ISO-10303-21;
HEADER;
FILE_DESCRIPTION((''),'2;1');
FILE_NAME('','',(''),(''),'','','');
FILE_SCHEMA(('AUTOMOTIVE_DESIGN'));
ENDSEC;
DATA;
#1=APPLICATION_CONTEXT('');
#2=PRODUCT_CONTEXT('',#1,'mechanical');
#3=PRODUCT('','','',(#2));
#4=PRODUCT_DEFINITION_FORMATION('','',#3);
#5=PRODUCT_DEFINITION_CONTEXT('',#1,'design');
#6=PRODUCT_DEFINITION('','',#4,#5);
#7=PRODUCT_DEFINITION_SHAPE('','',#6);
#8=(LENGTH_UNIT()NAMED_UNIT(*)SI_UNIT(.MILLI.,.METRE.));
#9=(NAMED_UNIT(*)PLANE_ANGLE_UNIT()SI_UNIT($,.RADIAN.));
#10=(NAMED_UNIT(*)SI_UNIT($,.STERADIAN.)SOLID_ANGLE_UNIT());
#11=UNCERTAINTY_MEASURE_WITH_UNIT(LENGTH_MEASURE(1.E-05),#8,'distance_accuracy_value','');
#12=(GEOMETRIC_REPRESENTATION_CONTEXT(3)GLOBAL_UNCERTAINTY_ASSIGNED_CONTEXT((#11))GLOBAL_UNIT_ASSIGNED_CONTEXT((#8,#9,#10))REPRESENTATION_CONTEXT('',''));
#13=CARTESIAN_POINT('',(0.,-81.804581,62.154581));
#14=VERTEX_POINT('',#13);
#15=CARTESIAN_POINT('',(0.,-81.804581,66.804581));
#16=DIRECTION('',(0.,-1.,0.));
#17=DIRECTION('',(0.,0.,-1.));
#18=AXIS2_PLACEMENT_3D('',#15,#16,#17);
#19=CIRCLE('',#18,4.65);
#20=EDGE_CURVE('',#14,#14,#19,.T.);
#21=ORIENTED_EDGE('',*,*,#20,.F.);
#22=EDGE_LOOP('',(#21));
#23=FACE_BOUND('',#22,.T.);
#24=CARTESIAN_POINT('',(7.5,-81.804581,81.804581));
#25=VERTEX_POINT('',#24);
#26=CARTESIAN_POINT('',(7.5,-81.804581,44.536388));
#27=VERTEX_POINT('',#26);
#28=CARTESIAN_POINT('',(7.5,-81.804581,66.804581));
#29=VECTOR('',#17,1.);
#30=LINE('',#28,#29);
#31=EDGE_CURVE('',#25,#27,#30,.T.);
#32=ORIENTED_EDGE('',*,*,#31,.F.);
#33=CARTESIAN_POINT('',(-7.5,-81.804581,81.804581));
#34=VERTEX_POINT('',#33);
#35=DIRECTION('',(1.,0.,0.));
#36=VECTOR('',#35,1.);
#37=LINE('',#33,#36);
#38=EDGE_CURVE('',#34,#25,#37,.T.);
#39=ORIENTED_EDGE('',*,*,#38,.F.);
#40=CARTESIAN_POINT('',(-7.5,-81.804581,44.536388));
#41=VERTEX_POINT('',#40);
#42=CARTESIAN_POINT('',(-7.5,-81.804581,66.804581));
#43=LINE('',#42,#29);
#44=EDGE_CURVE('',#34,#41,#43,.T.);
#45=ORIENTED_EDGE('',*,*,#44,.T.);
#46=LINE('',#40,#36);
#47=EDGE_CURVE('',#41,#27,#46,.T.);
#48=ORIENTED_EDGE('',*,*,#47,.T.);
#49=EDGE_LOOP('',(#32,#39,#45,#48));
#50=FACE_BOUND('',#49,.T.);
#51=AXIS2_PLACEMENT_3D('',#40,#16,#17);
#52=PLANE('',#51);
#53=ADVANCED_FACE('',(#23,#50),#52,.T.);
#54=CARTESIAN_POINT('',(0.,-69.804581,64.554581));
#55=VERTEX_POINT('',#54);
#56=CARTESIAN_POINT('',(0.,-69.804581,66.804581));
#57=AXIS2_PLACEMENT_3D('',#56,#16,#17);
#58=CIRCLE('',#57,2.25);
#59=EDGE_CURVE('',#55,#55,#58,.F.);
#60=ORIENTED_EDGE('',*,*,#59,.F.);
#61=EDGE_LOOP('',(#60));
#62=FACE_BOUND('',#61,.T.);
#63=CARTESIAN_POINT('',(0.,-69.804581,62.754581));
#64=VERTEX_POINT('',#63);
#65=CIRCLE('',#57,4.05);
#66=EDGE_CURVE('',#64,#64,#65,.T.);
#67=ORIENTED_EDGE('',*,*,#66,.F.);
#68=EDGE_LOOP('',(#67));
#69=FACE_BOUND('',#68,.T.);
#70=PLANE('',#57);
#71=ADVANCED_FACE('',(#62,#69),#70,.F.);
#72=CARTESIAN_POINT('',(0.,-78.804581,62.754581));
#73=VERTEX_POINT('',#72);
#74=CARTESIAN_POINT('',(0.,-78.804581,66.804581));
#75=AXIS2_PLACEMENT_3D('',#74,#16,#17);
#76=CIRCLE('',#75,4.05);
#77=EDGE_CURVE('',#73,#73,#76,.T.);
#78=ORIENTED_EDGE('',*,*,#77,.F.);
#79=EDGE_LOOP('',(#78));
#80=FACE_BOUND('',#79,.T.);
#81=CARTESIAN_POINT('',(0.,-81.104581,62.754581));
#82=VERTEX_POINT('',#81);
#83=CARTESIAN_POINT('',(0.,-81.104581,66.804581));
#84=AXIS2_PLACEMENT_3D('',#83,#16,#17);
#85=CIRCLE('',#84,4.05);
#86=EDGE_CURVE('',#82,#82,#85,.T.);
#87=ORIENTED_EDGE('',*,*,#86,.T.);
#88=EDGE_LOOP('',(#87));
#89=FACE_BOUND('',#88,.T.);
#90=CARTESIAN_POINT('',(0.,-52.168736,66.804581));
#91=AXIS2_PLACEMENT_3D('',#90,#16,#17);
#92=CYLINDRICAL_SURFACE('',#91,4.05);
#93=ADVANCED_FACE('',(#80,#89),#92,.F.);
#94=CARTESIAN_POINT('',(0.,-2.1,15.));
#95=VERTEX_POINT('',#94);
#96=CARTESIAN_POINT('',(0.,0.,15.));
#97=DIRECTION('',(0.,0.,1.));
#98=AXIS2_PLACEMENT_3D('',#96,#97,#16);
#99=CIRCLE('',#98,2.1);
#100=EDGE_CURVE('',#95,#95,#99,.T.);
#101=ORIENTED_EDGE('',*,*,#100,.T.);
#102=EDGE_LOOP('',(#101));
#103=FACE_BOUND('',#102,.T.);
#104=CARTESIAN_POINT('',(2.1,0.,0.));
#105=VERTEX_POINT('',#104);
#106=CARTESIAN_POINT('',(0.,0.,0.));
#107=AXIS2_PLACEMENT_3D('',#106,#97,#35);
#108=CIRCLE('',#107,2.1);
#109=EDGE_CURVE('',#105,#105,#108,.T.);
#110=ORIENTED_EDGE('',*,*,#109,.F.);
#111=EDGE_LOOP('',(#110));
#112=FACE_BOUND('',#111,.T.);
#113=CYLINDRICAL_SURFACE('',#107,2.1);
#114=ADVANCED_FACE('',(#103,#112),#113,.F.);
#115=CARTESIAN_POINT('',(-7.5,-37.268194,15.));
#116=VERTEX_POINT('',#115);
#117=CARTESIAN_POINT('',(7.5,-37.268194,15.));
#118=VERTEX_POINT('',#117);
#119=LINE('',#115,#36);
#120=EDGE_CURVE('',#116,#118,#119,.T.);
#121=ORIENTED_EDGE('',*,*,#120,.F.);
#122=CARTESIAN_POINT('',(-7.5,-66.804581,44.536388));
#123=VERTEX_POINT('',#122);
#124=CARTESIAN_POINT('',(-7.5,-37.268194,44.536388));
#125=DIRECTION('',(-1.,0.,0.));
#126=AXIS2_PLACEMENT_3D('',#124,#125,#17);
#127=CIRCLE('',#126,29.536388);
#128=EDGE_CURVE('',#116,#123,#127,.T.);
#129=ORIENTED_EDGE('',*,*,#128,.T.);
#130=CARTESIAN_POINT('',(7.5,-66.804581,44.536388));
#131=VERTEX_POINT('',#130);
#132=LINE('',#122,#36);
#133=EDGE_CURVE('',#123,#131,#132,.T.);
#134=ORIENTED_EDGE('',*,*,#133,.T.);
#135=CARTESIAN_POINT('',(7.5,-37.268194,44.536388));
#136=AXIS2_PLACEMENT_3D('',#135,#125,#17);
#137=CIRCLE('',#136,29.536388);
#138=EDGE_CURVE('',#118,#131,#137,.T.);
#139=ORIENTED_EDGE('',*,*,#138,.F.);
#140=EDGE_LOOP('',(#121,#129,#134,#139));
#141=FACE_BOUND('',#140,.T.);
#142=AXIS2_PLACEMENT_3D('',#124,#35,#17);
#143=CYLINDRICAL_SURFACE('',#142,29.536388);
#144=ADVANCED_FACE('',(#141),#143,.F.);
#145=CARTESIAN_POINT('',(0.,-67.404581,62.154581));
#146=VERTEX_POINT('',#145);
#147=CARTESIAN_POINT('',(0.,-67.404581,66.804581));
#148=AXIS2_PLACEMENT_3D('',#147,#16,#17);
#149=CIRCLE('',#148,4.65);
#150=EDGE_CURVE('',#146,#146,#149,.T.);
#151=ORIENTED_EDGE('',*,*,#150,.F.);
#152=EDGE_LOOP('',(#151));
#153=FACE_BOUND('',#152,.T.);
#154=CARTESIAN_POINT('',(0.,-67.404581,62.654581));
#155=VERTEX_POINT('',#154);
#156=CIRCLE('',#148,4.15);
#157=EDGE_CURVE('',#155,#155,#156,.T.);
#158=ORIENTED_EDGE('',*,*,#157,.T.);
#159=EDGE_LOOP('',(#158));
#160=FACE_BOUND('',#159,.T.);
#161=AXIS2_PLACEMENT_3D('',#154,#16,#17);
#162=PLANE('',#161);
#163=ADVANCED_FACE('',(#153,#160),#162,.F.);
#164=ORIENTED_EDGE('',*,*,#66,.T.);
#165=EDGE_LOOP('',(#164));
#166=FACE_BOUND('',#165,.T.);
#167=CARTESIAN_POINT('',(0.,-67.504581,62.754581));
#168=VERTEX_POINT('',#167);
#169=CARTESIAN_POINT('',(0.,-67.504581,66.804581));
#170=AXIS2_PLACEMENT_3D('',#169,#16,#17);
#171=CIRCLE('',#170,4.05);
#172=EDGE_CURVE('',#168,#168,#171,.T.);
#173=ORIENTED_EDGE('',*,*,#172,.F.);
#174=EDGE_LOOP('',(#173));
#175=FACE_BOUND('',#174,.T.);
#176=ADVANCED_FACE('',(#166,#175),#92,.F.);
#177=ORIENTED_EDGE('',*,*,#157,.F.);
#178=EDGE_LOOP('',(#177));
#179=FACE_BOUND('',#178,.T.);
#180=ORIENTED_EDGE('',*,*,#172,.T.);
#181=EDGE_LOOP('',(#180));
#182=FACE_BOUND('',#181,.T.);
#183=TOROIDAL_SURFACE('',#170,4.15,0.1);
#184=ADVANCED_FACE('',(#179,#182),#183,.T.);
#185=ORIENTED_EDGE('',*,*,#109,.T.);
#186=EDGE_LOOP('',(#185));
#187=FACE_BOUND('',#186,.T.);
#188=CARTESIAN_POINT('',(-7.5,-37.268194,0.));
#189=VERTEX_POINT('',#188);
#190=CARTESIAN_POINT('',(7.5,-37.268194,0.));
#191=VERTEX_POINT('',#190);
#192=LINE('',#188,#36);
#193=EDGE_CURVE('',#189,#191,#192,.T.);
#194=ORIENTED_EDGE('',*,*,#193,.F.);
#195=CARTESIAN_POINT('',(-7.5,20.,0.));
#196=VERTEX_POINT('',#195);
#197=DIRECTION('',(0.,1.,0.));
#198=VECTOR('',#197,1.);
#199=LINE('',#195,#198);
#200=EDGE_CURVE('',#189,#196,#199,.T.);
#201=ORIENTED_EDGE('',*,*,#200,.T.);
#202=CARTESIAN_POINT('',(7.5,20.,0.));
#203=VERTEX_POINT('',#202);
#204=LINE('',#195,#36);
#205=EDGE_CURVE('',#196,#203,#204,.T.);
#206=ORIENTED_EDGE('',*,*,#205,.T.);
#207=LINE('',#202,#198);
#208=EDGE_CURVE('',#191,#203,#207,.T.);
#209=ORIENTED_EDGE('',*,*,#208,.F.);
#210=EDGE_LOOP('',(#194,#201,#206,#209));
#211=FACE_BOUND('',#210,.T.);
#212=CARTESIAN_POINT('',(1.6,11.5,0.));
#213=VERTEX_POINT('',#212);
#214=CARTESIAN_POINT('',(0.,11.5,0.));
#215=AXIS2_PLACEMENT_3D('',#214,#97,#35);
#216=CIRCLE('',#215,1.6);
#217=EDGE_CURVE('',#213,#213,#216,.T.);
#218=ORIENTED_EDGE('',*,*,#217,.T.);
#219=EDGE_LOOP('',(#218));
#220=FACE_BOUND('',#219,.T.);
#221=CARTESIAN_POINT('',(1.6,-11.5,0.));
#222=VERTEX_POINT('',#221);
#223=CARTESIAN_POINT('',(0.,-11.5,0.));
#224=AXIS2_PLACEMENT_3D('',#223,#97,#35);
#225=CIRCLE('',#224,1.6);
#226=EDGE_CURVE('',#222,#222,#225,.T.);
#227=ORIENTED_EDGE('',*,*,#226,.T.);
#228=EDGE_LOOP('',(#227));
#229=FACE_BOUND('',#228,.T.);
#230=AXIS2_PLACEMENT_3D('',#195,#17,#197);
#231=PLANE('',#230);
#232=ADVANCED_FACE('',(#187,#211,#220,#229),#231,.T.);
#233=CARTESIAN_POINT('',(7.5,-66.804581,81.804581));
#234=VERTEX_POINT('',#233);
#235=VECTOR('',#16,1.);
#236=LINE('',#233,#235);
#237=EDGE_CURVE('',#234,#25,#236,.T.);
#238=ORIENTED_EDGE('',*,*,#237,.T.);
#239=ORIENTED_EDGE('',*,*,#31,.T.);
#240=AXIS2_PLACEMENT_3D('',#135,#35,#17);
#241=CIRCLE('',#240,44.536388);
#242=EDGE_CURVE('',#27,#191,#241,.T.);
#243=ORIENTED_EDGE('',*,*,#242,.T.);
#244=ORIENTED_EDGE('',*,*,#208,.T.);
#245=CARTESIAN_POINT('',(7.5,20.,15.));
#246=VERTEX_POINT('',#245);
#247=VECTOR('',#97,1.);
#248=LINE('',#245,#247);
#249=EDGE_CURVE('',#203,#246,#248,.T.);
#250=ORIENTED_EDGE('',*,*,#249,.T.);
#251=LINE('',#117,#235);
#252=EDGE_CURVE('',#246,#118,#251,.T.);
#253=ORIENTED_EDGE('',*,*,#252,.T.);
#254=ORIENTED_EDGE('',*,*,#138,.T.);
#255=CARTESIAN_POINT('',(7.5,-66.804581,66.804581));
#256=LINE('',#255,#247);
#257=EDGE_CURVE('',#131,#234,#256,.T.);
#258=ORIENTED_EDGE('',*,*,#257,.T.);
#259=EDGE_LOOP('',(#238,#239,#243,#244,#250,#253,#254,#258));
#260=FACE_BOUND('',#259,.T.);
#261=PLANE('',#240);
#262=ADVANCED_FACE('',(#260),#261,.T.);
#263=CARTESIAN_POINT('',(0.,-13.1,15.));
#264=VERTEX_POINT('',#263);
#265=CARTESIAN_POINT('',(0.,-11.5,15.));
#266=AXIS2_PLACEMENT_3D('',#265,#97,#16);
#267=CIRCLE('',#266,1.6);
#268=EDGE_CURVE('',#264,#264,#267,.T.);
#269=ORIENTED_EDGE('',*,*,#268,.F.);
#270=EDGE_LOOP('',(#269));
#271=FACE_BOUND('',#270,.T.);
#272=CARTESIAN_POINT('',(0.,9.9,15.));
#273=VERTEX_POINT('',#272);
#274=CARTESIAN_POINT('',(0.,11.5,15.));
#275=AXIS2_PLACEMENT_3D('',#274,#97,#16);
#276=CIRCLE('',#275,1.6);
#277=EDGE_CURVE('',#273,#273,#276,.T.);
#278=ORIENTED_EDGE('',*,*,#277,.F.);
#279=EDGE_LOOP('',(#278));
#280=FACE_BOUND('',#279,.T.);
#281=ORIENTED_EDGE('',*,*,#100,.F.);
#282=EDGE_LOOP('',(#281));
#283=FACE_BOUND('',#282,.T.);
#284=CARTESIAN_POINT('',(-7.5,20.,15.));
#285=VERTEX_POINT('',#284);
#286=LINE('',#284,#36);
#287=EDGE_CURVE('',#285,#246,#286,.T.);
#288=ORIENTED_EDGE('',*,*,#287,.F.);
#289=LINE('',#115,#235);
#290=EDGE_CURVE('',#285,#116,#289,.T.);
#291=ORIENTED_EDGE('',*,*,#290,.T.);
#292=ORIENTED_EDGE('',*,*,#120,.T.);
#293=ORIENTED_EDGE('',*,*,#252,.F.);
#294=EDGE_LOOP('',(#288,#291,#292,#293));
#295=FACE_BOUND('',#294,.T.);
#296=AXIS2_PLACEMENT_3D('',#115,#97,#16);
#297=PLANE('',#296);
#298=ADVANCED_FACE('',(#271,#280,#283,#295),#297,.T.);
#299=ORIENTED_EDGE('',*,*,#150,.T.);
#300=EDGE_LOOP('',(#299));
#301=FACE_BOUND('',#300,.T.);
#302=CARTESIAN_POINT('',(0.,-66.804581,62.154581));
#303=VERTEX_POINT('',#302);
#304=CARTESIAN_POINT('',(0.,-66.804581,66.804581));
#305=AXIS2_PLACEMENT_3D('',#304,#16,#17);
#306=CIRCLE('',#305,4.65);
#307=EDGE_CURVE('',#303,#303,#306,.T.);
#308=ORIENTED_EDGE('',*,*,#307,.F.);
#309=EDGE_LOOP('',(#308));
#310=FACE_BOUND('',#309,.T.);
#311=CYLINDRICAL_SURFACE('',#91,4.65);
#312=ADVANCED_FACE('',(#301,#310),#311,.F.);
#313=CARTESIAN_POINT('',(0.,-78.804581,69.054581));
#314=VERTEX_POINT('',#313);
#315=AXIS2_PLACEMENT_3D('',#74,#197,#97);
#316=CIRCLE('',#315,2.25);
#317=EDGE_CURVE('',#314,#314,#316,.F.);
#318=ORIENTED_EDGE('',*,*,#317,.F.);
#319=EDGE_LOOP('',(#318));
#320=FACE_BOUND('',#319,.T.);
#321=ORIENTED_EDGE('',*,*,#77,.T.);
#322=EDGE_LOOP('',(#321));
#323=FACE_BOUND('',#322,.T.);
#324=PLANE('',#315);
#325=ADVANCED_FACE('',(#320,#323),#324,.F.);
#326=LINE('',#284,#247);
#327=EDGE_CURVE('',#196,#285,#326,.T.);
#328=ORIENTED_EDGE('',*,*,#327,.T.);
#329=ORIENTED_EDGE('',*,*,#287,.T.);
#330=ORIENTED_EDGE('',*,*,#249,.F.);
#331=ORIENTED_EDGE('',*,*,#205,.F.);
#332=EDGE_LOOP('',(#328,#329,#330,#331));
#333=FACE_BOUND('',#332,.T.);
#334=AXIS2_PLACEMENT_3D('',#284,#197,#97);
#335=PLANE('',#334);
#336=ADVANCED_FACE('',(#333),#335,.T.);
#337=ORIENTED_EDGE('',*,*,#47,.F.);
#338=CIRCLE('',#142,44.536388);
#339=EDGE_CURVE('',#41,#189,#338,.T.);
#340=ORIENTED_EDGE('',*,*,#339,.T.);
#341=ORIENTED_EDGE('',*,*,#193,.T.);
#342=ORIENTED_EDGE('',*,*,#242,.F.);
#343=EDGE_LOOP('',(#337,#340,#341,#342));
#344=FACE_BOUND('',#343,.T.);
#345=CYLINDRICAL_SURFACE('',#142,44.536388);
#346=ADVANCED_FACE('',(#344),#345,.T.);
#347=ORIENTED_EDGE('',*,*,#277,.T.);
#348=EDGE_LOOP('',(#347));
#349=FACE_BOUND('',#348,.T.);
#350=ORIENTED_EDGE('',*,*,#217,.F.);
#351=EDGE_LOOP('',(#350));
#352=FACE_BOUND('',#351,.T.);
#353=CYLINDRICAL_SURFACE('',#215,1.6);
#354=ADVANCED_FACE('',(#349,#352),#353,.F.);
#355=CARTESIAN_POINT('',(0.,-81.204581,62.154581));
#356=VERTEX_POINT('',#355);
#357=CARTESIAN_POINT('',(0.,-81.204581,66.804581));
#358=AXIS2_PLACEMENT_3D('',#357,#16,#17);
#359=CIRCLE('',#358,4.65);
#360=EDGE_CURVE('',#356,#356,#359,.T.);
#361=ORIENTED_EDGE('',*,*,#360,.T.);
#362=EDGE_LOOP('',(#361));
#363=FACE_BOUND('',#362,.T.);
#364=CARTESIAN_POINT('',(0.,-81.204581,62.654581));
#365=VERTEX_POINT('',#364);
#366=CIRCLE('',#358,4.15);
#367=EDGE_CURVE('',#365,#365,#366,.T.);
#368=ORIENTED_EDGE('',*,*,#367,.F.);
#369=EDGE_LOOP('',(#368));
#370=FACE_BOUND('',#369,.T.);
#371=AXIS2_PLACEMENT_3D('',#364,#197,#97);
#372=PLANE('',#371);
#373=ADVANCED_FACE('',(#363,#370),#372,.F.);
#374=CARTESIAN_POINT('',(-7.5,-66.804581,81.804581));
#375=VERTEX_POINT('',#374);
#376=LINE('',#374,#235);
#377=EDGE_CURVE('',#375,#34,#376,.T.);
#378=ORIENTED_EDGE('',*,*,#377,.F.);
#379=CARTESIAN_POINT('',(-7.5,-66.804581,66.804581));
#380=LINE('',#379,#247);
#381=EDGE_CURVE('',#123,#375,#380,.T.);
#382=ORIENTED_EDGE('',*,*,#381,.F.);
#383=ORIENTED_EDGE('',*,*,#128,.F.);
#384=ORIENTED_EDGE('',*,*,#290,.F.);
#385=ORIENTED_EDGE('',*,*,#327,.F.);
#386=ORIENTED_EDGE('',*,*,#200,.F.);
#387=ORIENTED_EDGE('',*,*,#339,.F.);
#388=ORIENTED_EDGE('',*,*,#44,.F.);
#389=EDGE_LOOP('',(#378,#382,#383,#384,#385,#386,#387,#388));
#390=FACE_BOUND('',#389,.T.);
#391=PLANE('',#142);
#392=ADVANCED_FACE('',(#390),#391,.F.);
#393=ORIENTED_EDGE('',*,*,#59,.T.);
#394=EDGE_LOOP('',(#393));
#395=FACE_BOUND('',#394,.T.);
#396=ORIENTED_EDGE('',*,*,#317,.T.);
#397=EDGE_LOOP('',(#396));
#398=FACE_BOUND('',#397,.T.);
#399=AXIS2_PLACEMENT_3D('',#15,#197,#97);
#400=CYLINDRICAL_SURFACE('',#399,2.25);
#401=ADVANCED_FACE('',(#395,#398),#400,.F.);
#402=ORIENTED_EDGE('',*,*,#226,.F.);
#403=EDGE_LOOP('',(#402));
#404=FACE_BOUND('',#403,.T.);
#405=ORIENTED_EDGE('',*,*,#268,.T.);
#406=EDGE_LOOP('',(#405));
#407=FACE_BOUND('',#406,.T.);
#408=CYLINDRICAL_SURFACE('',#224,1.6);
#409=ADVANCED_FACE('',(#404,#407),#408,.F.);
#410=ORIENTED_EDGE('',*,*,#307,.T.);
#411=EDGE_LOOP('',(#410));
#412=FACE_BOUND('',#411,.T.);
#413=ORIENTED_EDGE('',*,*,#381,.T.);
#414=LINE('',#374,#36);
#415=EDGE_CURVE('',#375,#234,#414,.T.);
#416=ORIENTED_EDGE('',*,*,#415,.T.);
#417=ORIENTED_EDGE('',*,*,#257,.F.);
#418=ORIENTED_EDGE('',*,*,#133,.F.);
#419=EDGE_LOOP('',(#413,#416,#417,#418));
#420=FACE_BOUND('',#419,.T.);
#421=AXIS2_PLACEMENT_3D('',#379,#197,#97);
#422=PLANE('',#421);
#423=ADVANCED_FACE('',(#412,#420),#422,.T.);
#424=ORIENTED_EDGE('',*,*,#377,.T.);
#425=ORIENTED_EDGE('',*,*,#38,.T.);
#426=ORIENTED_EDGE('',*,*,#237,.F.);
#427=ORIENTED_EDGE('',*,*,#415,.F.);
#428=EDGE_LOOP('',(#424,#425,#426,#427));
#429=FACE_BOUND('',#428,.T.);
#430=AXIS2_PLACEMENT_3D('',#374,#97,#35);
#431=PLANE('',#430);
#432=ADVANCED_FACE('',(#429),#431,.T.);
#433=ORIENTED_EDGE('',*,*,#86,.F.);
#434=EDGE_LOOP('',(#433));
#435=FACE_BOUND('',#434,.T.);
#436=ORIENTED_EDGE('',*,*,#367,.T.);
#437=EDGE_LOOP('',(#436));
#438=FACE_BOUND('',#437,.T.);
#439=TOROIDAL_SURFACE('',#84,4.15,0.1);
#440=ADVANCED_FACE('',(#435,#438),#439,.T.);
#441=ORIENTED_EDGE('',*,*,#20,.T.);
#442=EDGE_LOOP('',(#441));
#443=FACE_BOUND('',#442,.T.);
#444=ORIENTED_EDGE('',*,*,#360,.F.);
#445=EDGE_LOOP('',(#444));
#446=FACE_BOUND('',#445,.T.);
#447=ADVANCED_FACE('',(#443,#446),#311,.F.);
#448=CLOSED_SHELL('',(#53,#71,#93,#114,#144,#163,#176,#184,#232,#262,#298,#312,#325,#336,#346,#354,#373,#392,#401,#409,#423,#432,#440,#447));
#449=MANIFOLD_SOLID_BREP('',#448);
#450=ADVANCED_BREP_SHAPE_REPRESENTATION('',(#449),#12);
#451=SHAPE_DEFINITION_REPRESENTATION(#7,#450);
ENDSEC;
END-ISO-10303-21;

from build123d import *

# Parameters (mm, degrees)
BOSS_EXTRUDE1_DEPTH      = 7.5
BOSS_EXTRUDE1_DEPTH_BACK = 7.5
SKETCH3_R                = 2.25
CUT_EXTRUDE1_DEPTH       = 120.512655858
CUT_EXTRUDE2_DEPTH       = 106.882442604
CUT_EXTRUDE2_DEPTH_BACK  = 106.882442604
SKETCH4_R                = 2.1
SKETCH4_R_2              = 1.6


with BuildPart() as part:
    # Sketch1 → Boss-Extrude1 (new, two sides: drawn at the far end of the back side and taken through both)
    with BuildSketch(Plane(origin=(0, 0, 0), x_dir=(0, 0, -1), z_dir=(1, 0, 0)).offset(-BOSS_EXTRUDE1_DEPTH_BACK)):
        with BuildLine():
            Line((-15, 20), (0, 20))
            Line((0, 20), (0, -37.26819382))
            ThreePointArc((0, -37.26819382), (-13.04440593, -68.76017553), (-44.53638764, -81.80458146))
            Line((-44.53638764, -81.80458146), (-66.80458146, -81.80458146))
            Line((-66.80458146, -81.80458146), (-81.80458146, -81.80458146))
            Line((-81.80458146, -81.80458146), (-81.80458146, -66.80458146))
            Line((-81.80458146, -66.80458146), (-66.80458146, -66.80458146))
            Line((-66.80458146, -66.80458146), (-44.53638764, -66.80458146))
            ThreePointArc((-44.53638764, -66.80458146), (-23.651007648, -58.153573812), (-15, -37.26819382))
            Line((-15, -37.26819382), (-15, 20))
        make_face()
    extrude(amount=BOSS_EXTRUDE1_DEPTH + BOSS_EXTRUDE1_DEPTH_BACK)

    # Sketch3 → Cut-Extrude1 (cut, through all)
    with BuildSketch(Plane(origin=(0, -66.80458146, 0), x_dir=(1, 0, 0), z_dir=(0, 1, 0))):
        with Locations((0, -66.80458146)):
            Circle(SKETCH3_R)
    extrude(amount=-CUT_EXTRUDE1_DEPTH, mode=Mode.SUBTRACT)

    # Sketch4 → Cut-Extrude2 (cut, two sides: drawn at the far end of the back side and taken through both)
    with BuildSketch(Plane.XY.offset(15).offset(-CUT_EXTRUDE2_DEPTH_BACK)):
        Circle(SKETCH4_R)
        with Locations((0, 11.5)):
            Circle(SKETCH4_R_2)
        with Locations((0, -11.5)):
            Circle(SKETCH4_R_2)
    extrude(amount=CUT_EXTRUDE2_DEPTH + CUT_EXTRUDE2_DEPTH_BACK, mode=Mode.SUBTRACT)

    # Sketch5 → Cut-Revolve1 (revolve, cut)
    with BuildSketch(Plane(origin=(0, 0, 0), x_dir=(0, 0, -1), z_dir=(1, 0, 0))):
        with BuildLine():
            Line((-62.75458146, -78.80458146), (-62.75458146, -81.10458146))
            ThreePointArc((-62.75458146, -81.10458146), (-62.725292138, -81.175292138), (-62.65458146, -81.20458146))
            Line((-62.65458146, -81.20458146), (-62.15458146, -81.20458146))
            Line((-62.15458146, -81.20458146), (-62.15458146, -81.80458146))
            Line((-62.15458146, -81.80458146), (-66.80458146, -81.80458146))
            Line((-66.80458146, -81.80458146), (-66.80458146, -78.80458146))
            Line((-66.80458146, -78.80458146), (-62.75458146, -78.80458146))
        make_face()
        with BuildLine():
            Line((-66.80458146, -69.80458146), (-62.75458146, -69.80458146))
            Line((-62.75458146, -69.80458146), (-62.75458146, -67.50458146))
            ThreePointArc((-62.75458146, -67.50458146), (-62.725292138, -67.433870782), (-62.65458146, -67.40458146))
            Line((-62.65458146, -67.40458146), (-62.15458146, -67.40458146))
            Line((-62.15458146, -67.40458146), (-62.15458146, -66.80458146))
            Line((-62.15458146, -66.80458146), (-66.80458146, -66.80458146))
            Line((-66.80458146, -66.80458146), (-66.80458146, -69.80458146))
        make_face()
    revolve(axis=Axis((0, -52.168735771, 66.80458146), (0, 1, 0)), mode=Mode.SUBTRACT)


solid = part.part
